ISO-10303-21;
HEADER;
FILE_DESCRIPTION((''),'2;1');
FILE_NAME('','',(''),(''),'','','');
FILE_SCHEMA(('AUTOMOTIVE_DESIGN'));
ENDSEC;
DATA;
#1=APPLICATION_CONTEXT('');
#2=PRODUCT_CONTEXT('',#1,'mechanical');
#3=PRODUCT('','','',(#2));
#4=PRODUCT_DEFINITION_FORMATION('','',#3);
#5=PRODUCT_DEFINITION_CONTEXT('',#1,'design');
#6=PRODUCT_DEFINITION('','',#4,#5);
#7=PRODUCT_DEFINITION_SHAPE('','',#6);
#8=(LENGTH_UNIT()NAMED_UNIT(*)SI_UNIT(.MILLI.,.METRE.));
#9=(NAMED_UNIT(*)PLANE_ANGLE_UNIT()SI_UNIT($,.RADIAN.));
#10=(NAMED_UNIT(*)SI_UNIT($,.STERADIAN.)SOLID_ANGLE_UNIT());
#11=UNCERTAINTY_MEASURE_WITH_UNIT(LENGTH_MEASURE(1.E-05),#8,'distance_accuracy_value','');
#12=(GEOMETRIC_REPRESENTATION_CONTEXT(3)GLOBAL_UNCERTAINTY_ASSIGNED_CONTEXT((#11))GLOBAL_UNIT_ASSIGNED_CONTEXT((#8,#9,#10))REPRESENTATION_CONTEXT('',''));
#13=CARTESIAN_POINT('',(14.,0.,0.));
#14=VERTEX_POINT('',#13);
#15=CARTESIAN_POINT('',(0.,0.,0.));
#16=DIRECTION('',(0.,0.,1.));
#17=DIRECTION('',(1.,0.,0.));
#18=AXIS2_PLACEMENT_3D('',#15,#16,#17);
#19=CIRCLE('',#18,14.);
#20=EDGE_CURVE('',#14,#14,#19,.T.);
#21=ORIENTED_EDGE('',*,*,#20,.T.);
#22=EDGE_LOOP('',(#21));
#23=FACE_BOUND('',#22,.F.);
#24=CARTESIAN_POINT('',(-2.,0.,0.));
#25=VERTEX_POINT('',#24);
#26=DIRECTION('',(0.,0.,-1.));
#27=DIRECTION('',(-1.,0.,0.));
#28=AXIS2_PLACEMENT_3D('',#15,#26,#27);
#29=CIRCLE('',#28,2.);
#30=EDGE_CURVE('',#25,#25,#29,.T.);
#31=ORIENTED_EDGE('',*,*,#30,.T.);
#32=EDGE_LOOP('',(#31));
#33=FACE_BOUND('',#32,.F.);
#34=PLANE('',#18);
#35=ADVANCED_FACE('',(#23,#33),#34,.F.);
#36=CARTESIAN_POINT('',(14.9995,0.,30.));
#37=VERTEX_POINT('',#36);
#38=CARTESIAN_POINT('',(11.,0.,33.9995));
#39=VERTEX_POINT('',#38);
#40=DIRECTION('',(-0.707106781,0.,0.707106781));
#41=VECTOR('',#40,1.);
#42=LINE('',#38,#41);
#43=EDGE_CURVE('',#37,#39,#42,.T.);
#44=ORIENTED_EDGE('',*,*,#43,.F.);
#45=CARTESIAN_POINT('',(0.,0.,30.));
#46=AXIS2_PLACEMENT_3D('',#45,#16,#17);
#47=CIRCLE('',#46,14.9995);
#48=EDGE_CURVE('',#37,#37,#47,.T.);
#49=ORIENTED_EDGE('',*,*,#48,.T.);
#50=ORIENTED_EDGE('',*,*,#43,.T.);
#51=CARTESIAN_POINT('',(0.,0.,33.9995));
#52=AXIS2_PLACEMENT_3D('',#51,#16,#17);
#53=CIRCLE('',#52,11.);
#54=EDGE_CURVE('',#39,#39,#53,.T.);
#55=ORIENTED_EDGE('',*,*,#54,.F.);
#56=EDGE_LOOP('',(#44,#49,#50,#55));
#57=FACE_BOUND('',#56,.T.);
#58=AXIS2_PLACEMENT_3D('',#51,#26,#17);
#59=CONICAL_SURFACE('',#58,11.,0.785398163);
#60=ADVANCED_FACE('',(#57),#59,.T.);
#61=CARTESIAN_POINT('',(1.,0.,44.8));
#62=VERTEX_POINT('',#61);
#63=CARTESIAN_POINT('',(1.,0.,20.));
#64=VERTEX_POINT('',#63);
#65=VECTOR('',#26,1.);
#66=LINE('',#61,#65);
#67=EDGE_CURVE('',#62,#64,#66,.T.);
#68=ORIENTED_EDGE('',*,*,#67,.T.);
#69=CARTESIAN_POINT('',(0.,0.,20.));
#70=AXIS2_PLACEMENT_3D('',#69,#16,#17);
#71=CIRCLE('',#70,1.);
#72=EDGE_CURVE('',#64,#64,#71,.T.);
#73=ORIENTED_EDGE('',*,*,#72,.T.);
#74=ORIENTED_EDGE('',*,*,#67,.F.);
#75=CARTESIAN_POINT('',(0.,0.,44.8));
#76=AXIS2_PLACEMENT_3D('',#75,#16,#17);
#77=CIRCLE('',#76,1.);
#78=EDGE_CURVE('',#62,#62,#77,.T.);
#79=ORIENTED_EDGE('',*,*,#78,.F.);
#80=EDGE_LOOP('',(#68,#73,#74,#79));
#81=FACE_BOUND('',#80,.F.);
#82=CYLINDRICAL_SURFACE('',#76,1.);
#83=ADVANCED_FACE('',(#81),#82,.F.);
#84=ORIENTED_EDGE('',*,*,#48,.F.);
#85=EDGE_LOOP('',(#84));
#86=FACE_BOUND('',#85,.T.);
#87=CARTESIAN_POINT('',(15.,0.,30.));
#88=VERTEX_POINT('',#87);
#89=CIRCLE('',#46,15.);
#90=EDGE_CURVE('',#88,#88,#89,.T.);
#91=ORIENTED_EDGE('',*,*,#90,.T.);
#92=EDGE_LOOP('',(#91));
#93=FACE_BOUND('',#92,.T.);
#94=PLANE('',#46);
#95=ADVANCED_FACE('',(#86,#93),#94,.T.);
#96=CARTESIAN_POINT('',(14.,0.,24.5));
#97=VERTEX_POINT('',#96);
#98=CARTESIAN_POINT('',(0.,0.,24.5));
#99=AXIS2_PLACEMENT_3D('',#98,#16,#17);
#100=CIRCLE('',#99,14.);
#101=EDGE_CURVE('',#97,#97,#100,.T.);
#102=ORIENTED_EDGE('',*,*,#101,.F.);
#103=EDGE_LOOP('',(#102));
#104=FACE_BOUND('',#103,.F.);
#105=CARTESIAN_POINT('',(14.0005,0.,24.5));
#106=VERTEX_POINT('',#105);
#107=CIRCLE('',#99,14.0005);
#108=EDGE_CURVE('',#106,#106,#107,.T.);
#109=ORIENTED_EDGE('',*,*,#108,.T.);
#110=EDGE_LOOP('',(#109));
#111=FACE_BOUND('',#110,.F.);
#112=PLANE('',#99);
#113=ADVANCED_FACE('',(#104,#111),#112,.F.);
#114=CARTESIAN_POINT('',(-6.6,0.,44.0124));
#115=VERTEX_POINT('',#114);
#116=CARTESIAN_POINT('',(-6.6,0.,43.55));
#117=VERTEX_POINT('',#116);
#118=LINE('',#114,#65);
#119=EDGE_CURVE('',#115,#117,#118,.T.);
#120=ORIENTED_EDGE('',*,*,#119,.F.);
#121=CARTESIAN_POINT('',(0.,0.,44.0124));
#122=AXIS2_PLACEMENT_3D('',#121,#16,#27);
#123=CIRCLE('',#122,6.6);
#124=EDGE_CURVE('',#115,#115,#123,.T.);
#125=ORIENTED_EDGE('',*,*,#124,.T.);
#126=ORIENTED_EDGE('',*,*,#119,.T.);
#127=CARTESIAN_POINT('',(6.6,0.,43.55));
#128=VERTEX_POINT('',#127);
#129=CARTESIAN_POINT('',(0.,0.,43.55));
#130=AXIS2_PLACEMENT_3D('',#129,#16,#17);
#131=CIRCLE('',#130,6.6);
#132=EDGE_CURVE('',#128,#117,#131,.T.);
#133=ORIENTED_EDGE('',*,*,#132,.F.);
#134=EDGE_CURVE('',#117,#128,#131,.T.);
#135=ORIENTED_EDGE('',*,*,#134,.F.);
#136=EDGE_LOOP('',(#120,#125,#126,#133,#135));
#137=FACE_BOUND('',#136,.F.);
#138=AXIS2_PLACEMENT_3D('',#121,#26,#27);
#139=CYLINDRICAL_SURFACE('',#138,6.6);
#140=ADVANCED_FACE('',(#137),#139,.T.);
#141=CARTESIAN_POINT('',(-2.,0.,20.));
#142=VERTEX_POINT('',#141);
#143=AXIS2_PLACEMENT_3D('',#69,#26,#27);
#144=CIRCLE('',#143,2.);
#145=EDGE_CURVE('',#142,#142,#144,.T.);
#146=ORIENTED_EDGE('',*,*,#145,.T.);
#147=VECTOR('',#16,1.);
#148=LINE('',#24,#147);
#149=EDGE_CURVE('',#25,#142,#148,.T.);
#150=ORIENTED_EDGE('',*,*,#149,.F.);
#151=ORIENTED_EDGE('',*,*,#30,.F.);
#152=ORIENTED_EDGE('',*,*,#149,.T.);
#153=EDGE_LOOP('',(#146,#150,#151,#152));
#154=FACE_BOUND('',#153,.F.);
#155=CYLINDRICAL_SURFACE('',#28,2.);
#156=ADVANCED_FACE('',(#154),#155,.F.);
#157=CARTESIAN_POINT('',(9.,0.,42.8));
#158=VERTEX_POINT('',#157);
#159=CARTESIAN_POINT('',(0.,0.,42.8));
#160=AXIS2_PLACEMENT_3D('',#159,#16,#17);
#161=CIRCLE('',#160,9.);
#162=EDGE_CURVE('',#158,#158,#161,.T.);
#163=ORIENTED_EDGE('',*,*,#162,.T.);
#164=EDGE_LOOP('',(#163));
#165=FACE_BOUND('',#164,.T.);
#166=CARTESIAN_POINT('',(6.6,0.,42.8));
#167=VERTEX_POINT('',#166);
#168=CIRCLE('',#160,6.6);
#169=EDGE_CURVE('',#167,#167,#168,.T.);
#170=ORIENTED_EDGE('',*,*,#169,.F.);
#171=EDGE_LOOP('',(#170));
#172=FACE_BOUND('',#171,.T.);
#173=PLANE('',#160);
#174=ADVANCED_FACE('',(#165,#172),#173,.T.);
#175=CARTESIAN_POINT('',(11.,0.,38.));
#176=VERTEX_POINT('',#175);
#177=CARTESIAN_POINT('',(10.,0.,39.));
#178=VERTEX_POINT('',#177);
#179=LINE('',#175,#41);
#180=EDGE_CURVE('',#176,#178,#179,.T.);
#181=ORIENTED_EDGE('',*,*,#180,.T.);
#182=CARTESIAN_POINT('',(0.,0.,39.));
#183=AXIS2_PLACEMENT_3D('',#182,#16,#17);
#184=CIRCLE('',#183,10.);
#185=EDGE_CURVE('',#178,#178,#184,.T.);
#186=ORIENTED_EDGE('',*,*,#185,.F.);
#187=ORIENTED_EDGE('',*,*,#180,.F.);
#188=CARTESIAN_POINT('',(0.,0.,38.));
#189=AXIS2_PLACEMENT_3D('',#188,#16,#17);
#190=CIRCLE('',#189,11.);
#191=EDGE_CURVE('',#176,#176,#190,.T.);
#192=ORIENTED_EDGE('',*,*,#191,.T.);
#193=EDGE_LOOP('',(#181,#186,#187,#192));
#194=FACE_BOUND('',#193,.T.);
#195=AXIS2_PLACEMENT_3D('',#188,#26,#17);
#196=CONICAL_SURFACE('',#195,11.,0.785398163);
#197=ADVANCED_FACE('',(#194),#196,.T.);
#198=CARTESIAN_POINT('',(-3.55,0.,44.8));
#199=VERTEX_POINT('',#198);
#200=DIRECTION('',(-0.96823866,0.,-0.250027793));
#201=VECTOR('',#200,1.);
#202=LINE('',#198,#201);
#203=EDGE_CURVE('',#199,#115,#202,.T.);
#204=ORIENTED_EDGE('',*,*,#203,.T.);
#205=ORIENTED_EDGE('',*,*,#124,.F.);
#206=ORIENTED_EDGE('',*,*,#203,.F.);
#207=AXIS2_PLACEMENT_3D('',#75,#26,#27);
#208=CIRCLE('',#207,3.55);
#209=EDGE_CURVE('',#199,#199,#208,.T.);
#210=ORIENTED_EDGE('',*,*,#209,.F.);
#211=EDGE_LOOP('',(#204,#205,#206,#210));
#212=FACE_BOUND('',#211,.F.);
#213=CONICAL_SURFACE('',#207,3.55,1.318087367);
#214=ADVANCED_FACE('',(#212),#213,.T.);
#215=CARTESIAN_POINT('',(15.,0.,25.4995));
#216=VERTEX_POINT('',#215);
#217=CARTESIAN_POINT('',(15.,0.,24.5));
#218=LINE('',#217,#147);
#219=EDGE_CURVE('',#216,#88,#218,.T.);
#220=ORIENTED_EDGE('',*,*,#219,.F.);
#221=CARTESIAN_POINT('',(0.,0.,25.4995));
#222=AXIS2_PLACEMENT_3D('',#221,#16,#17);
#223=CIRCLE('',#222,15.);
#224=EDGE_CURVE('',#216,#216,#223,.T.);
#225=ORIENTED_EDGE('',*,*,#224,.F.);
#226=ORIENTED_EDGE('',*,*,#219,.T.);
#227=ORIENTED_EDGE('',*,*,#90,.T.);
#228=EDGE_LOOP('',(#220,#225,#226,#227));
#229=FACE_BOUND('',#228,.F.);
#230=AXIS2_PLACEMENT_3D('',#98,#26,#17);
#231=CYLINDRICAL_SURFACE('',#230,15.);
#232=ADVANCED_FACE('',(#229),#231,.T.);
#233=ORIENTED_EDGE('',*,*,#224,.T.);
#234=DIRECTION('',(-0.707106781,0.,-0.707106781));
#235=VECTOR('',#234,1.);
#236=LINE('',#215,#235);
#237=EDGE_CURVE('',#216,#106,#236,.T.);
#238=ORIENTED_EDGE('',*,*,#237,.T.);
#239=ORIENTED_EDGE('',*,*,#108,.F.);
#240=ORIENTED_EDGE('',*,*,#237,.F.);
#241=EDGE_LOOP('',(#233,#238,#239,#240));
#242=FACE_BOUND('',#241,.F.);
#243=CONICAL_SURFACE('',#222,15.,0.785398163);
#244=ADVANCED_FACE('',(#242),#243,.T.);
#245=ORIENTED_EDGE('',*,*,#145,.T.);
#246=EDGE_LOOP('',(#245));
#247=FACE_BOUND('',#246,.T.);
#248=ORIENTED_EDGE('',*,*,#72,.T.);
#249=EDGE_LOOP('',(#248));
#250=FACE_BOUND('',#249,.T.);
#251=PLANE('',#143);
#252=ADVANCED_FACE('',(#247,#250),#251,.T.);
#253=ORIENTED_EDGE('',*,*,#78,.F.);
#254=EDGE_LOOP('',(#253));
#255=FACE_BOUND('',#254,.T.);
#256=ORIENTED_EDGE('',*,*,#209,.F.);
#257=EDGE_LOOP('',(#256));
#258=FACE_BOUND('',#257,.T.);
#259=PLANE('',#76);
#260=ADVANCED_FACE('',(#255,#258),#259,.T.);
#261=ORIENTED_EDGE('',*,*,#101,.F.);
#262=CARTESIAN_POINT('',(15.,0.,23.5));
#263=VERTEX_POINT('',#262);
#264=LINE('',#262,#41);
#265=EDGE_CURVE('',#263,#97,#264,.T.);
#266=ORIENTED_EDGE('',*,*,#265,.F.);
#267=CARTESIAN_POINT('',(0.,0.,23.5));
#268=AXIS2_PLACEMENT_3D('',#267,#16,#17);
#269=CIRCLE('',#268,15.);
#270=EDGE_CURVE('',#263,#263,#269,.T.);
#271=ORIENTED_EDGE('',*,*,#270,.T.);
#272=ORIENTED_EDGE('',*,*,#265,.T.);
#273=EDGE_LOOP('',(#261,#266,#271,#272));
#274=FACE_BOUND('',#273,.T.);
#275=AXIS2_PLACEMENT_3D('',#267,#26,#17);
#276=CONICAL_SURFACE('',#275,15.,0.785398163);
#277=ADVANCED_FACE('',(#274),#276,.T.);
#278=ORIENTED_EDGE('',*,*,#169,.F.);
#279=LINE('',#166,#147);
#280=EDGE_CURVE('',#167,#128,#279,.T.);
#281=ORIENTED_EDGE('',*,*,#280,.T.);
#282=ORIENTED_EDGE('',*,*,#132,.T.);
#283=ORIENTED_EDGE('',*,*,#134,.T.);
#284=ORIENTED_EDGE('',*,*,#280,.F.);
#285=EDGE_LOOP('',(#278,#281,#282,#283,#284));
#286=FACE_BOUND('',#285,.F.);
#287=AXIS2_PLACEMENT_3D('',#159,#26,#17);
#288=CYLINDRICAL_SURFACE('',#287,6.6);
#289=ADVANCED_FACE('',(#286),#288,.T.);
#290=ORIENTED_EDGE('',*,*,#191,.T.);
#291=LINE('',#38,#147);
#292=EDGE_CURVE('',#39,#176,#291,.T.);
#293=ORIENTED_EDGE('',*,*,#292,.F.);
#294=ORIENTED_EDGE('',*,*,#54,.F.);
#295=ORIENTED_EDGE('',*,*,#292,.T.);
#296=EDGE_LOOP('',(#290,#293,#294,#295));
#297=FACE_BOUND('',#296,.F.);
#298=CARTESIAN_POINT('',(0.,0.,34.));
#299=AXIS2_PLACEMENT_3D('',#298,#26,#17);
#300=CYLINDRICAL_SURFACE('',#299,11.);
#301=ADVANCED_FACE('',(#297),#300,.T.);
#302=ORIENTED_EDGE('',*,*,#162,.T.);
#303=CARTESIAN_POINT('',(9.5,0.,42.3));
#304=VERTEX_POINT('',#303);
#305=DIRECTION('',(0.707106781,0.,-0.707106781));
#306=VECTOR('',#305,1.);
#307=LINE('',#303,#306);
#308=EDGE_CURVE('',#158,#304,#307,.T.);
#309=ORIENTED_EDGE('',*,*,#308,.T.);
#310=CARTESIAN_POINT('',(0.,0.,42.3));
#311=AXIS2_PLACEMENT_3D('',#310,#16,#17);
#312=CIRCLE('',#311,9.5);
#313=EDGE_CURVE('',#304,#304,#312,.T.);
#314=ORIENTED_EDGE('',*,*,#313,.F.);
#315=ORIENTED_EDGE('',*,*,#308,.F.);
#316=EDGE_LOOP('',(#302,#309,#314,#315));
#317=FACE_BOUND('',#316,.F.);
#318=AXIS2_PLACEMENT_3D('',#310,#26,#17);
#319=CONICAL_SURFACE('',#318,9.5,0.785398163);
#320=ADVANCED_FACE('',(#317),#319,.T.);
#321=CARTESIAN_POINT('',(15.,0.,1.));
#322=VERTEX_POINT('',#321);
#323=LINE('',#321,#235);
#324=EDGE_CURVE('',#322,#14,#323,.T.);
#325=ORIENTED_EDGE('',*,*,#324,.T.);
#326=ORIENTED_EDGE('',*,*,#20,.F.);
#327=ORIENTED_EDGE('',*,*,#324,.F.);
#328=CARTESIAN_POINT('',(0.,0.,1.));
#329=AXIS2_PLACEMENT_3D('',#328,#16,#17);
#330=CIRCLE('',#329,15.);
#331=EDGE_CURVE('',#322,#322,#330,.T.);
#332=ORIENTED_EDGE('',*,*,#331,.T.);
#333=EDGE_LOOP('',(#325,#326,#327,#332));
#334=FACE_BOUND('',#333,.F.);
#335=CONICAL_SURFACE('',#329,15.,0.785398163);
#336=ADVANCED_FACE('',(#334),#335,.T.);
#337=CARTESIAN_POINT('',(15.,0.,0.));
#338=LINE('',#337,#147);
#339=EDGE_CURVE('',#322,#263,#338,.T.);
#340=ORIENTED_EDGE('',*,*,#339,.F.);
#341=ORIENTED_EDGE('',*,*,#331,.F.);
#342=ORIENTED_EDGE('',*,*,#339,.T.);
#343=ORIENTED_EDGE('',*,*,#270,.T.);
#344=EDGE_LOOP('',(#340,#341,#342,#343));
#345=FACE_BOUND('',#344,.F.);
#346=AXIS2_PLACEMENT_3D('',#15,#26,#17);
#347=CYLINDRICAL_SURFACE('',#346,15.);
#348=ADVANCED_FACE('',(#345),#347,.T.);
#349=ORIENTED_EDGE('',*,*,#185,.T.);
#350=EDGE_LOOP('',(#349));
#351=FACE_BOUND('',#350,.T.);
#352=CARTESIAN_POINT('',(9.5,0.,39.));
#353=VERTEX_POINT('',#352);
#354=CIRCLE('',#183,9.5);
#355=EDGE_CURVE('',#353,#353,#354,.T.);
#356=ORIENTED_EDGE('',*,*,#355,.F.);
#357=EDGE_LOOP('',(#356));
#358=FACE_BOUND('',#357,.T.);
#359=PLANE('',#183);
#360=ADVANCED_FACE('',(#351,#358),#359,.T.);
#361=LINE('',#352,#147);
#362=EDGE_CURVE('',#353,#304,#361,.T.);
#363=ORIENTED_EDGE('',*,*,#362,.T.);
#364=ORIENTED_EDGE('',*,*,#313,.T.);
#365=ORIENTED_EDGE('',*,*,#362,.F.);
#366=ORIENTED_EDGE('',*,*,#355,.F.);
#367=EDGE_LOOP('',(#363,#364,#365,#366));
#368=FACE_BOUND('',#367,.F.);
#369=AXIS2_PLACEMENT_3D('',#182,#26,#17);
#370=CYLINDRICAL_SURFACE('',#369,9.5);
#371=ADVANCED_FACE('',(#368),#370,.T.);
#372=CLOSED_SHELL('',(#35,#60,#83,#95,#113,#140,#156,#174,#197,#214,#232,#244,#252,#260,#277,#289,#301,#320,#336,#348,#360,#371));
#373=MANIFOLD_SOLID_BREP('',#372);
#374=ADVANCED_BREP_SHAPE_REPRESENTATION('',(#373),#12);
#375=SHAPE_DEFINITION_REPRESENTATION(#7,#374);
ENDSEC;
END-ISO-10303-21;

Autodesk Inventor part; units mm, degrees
ref_plane "YZ Plane" through (0, 0, 0) normal (1, 0, 0) x (0, 1, 0)
ref_plane "XZ Plane" through (0, 0, 0) normal (0, 1, 0) x (-1, 0, 0)
ref_plane "XY Plane" through (0, 0, 0) normal (0, 0, 1) x (1, 0, 0)
sketch "Sketch1" plane through (0, 0, 0) normal (0, 0, 1) x (1, 0, 0)
  circle A0 centre (0, 0) radius 15
  dimension "d0" = 30
extrude "Extrusion1" add sketch "Sketch1" along normal blind 24.5
chamfer "Chamfer1" distance 1 angle 45 2 edges at (-15, 0, 24.5) (-15, 0, 0)
sketch "Sketch2" plane through (0, 0, 24.5) normal (0, 0, 1) x (1, 0, 0)
  circle A0 centre (0, 0) radius 15
  dimension "d6" = 30
extrude "Extrusion2" add sketch "Sketch2" along normal blind 5.5
chamfer "Chamfer2" distance 1 angle 45 1 edges at (-15, 0, 24.5)
sketch "Sketch3" plane through (0, 0, 30) normal (0, 0, 1) x (1, 0, 0)
  circle A0 centre (0, 0) radius 11
  dimension "d12" = 22
extrude "Extrusion3" add sketch "Sketch3" along normal blind 4
chamfer "Chamfer3" distance 4 angle 45 1 edges at (-11, 0, 30)
sketch "Sketch4" plane through (0, 0, 34) normal (0, 0, 1) x (1, 0, 0)
  circle A0 centre (0, 0) radius 11
  dimension "d18" = 22
extrude "Extrusion4" add sketch "Sketch4" along normal blind 5
sketch "Sketch5" plane through (0, 0, 39) normal (0, 0, 1) x (1, 0, 0)
  circle A0 centre (0, 0) radius 9.5
  dimension "d21" = 19
extrude "Extrusion5" add sketch "Sketch5" along normal blind 3.8
chamfer "Chamfer4" distance 1 angle 45 1 edges at (-11, 0, 39)
sketch "Sketch6" plane through (0, 0, 42.8) normal (0, 0, 1) x (1, 0, 0)
  circle A0 centre (0, 0) radius 6.6
  dimension "d27" = 13.2
extrude "Extrusion6" add sketch "Sketch6" along normal blind 0.75
sketch "Sketch7" plane through (0, 0, 43.55) normal (0, 0, 1) x (1, 0, 0)
  circle A0 centre (0, 0) radius 3.55
  dimension "d30" = 7.1
extrude "Extrusion7" add sketch "Sketch7" along normal blind 1.25
sketch "Sketch8" plane through (0, 0, 0) normal (0, 1, 0) x (-1, 0, 0)
  line L0 (3.55, 44.8) -> (-3.55, 44.8) projected
  line L1 (3.55, 44.8) -> (6.6, 44.0124)
  line L2 (3.55, 44.8) -> (6.7001, 44.8) construction
  line L3 (6.6, 43.55) -> (-6.6, 43.55) projected
  line L4 (6.6, 44.0124) -> (6.6, 43.55)
  line L5 (6.6, 43.55) -> (3.55, 43.55)
  line L6 (3.55, 43.55) -> (3.55, 44.8) projected
  line L7 (3.55, 44.8) -> (3.55, 43.7812)
  line L8 (0, -8.96) -> (0, 53.76) projected
  point P0 (0, 0)
  dimension "d33" = 14.48
revolve "Revolution1" add sketch "Sketch8" angle 360 about axis through (0, 0, -10) along (0, 0, 1) contours L1 L4 L3 L6
sketch "Sketch9" plane through (0, 0, 44.8) normal (0, 0, 1) x (1, 0, 0)
  circle A0 centre (0, 0) radius 1
  dimension "d35" = 2
extrude "Extrusion8" cut sketch "Sketch9" against normal blind 50
sketch "Sketch10" plane through (0, 0, 0) normal (0, 0, -1) x (-1, 0, 0)
  circle A0 centre (0, 0) radius 2
  dimension "d38" = 4
extrude "Extrusion9" cut sketch "Sketch10" against normal blind 20
chamfer "Chamfer5" distance 0.5 angle 45 1 edges at (-9.5, 0, 42.8)
properties part number "210505 - Zeiss x100 objective mockup"
